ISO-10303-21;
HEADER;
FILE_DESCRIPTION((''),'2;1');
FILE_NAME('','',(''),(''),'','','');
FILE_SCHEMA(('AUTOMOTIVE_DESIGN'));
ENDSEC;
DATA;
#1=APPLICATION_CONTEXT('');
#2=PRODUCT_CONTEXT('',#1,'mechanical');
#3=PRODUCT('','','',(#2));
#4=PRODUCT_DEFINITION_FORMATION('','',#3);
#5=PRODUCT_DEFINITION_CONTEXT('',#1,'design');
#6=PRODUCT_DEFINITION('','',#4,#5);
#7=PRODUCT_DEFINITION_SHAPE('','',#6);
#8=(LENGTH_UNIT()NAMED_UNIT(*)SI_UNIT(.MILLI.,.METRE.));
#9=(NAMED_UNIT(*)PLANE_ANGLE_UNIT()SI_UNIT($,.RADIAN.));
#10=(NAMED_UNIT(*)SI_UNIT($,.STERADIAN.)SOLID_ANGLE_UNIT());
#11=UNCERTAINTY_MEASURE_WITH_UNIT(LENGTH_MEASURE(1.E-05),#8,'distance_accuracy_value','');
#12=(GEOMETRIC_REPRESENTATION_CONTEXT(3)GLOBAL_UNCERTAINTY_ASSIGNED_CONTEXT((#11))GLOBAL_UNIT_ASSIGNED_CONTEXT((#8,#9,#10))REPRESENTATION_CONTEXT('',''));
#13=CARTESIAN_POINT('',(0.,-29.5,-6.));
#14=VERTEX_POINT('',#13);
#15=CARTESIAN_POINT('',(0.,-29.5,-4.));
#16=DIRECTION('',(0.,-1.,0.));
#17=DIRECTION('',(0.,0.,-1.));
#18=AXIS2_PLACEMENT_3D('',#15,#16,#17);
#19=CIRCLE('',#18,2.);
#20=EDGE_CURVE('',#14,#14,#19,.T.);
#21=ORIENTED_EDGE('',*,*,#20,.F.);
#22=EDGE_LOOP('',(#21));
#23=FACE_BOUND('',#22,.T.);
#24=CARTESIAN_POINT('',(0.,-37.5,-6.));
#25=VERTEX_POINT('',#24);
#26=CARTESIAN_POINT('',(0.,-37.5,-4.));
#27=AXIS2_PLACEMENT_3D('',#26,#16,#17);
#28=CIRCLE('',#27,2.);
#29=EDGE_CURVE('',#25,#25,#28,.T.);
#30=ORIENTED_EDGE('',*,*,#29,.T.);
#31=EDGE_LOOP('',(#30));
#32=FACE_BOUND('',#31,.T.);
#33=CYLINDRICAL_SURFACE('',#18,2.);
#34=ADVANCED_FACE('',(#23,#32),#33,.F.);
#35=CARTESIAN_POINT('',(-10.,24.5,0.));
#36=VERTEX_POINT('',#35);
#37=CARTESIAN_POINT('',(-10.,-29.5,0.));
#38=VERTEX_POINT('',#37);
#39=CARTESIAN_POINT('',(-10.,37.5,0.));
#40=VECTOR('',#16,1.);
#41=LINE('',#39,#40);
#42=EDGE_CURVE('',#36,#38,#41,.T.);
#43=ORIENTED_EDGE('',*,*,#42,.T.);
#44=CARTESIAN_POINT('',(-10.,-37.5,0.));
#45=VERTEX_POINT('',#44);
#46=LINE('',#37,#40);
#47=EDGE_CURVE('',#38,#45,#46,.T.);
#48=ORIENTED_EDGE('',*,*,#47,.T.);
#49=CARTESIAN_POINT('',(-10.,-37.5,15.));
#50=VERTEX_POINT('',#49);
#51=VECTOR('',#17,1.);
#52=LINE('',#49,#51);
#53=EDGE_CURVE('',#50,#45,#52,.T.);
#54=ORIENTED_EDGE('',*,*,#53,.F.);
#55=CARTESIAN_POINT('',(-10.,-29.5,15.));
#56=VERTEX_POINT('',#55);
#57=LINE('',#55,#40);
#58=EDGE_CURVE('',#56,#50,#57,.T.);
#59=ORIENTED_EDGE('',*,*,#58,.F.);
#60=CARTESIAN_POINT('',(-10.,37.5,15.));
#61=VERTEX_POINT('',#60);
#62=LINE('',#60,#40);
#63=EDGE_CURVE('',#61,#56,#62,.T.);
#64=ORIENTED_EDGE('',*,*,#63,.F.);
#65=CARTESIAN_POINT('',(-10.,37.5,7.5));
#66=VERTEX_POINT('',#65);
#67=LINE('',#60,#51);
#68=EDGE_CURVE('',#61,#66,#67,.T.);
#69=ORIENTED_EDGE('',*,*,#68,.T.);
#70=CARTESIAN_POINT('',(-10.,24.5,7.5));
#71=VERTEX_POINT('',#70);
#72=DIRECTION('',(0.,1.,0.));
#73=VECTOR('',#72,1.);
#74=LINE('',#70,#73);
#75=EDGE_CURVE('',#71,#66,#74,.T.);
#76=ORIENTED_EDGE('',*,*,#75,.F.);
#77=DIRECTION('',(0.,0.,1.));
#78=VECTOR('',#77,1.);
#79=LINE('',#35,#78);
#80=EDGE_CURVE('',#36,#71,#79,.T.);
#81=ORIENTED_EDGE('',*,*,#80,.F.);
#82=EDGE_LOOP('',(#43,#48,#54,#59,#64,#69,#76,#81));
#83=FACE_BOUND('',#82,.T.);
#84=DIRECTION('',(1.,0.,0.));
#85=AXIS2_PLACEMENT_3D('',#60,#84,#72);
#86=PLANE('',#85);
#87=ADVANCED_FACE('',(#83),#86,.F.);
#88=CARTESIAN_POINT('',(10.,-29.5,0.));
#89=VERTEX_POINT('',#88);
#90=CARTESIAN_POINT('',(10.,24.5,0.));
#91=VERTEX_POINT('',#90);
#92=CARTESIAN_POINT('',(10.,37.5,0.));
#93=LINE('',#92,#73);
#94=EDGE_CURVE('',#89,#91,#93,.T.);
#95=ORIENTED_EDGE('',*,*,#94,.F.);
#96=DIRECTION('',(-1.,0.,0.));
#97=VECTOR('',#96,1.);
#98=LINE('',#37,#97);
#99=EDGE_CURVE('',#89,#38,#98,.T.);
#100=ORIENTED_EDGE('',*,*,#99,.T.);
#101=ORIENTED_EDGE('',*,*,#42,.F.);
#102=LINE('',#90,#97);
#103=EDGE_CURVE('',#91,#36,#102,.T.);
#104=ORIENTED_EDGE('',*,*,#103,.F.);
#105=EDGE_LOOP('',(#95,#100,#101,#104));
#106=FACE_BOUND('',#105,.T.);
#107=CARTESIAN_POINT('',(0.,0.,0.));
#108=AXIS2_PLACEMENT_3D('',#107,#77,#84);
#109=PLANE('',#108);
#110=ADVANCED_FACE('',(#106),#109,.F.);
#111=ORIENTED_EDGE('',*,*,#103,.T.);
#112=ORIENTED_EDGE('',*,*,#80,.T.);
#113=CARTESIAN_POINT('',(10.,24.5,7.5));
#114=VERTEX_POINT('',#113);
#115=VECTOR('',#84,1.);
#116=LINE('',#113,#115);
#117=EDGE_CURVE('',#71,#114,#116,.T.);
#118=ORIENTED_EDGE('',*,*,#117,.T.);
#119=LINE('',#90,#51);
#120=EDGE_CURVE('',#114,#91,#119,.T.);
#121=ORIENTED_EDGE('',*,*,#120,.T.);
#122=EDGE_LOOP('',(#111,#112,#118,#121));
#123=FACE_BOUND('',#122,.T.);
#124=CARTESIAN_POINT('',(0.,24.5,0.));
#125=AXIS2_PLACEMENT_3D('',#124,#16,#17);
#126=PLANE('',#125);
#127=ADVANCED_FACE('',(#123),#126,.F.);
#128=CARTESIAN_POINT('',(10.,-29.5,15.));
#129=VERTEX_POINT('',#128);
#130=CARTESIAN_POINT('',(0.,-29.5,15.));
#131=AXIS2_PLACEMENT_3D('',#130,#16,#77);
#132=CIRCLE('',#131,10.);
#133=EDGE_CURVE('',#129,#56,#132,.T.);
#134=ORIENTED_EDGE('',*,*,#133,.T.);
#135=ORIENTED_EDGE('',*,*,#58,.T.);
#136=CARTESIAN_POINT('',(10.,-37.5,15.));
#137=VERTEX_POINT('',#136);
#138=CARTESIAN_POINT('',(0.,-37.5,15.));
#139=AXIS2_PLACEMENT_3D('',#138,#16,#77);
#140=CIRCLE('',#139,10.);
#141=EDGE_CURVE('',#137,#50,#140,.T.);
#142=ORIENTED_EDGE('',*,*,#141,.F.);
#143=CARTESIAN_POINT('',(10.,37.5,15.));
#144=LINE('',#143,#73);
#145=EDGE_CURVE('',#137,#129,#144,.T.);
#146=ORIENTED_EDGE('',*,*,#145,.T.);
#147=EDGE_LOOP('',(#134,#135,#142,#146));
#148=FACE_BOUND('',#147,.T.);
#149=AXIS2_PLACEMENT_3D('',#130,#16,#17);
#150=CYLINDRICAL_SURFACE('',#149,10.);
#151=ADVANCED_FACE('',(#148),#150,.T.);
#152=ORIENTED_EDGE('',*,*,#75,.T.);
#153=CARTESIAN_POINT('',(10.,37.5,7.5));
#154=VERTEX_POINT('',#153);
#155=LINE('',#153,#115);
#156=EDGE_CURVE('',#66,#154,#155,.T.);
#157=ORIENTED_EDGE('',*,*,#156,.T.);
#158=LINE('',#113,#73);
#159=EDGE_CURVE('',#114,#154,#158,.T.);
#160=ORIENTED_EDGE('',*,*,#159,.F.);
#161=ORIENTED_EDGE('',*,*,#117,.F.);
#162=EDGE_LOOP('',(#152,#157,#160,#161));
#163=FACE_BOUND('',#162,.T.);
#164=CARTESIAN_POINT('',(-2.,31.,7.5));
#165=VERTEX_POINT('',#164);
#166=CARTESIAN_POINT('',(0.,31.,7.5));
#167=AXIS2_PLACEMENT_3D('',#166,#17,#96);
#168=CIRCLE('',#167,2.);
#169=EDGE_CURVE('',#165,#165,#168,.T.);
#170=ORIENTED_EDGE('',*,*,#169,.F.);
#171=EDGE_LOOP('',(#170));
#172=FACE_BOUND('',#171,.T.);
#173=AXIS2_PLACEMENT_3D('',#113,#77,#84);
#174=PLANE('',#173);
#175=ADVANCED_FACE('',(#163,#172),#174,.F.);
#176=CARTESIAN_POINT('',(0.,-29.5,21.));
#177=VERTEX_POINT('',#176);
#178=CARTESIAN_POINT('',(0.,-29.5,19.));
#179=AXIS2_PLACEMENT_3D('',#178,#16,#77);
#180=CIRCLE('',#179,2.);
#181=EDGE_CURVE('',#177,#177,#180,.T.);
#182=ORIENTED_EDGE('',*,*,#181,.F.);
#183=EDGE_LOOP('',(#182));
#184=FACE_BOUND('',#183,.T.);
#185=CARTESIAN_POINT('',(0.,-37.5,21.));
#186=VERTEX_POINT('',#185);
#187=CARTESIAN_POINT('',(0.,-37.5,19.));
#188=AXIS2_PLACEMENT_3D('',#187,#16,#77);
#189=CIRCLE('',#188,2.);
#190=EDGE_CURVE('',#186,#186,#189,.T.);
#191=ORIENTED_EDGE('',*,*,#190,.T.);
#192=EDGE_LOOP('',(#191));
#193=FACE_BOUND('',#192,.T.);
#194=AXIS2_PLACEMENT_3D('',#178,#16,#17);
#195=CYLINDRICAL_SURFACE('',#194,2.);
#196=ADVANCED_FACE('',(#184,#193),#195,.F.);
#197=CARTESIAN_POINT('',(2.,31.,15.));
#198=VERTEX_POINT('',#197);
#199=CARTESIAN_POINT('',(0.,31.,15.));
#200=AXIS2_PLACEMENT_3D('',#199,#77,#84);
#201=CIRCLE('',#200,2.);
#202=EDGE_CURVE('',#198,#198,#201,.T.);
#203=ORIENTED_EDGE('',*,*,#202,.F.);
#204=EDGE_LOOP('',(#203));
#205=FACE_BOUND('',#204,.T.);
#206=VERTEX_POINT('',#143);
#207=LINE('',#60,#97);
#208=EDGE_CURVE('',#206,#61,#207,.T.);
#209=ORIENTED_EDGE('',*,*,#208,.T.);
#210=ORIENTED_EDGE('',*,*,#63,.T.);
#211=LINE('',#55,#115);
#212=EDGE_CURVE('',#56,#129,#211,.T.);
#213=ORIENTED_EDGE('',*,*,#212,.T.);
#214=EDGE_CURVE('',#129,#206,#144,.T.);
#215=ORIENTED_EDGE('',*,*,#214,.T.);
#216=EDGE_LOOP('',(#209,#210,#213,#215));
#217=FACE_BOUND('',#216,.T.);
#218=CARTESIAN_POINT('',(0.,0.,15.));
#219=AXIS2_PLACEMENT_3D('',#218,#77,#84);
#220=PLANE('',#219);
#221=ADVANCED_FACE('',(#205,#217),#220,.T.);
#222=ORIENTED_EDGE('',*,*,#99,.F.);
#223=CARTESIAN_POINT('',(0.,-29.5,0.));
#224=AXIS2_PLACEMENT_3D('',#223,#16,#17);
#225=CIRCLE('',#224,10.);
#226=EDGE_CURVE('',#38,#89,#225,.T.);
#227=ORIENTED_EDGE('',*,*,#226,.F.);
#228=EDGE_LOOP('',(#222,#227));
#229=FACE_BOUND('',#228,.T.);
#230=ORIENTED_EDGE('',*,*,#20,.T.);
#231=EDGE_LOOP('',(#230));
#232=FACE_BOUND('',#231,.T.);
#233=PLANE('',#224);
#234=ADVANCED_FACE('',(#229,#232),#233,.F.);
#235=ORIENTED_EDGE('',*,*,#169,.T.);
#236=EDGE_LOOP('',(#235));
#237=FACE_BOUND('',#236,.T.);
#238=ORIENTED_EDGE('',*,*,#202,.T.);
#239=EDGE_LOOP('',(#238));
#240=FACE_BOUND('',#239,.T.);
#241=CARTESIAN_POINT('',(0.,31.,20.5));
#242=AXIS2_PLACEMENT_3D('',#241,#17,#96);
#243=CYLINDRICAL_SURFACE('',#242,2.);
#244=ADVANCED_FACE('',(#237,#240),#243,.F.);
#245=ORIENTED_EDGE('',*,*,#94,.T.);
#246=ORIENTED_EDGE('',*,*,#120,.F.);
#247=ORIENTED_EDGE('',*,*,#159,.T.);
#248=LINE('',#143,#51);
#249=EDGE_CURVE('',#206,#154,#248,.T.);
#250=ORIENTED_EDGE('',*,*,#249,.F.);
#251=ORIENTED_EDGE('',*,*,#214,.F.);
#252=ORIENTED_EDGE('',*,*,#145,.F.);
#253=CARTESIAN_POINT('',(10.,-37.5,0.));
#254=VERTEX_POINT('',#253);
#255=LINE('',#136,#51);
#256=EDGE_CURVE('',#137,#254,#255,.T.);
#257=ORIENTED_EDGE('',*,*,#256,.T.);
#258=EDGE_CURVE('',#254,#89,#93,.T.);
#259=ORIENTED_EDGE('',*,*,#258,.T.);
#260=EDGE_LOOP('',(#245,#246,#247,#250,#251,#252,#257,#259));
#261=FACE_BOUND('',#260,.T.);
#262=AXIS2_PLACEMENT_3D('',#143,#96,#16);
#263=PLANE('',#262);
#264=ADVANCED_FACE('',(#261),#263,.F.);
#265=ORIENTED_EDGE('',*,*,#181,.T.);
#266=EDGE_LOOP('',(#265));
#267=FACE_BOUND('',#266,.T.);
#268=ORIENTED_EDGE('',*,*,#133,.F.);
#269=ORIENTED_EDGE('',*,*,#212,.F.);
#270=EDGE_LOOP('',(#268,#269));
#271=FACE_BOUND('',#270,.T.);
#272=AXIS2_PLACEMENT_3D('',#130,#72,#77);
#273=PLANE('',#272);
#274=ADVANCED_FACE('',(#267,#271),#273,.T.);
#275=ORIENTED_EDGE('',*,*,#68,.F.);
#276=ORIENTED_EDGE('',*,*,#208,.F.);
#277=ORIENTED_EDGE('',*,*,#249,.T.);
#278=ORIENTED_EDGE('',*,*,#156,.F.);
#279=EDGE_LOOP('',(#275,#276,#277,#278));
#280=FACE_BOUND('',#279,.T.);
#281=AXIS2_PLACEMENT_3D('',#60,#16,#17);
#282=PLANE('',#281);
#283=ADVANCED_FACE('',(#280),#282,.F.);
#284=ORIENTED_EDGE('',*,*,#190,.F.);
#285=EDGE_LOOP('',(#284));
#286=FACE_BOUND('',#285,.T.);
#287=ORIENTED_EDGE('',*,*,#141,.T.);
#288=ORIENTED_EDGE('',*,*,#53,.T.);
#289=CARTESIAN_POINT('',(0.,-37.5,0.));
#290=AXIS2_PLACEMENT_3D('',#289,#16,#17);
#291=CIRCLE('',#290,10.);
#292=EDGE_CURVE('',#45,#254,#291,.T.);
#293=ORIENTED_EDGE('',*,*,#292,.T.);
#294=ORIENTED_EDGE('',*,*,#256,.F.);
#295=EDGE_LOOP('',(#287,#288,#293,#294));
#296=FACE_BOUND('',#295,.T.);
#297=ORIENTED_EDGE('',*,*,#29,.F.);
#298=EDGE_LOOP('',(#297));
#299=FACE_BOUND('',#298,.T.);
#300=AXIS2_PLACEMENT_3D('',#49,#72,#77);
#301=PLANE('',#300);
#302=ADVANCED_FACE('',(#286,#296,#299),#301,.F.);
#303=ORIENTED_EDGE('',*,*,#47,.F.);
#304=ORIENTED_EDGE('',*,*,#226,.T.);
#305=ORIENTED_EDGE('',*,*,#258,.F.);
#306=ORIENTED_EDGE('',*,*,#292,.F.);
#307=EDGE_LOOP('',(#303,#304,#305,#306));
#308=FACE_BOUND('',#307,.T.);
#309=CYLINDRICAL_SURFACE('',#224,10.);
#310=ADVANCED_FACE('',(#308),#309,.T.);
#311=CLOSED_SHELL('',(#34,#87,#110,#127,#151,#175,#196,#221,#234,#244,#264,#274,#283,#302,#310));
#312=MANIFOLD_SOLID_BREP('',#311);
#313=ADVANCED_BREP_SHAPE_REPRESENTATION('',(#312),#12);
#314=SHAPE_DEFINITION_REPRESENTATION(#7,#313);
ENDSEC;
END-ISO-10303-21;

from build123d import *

# Parameters (mm, degrees)
SKETCH1_W           = 20
SKETCH1_H           = 75
BOSS_EXTRUDE1_DEPTH = 15
SKETCH2_R           = 2
BOSS_EXTRUDE2_DEPTH = 8
SKETCH3_W           = 20
SKETCH3_H           = 7.5
CUT_EXTRUDE1_DEPTH  = 13
SKETCH4_R           = 2
CUT_EXTRUDE2_DEPTH  = 13


with BuildPart() as part:
    # Sketch1 → Boss-Extrude1 (new body)
    with BuildSketch(Plane.XY):
        Rectangle(SKETCH1_W, SKETCH1_H)
    extrude(amount=BOSS_EXTRUDE1_DEPTH)

    # Sketch2 → Boss-Extrude2 (add)
    # profile 1 of 2: a face of its own
    with BuildSketch(Plane.XZ.offset(37.5)):
        with BuildLine():
            Line((-10, 0), (10, 0))
            ThreePointArc((10, 0), (0, -10), (-10, 0))
        make_face()
        with Locations(Location((0, -4, 0), (0, 0, 270))):
            Circle(SKETCH2_R, mode=Mode.SUBTRACT)
    # profile 2 of 2: a face of its own
    with BuildSketch(Plane.XZ.offset(37.5)):
        with BuildLine():
            Line((-10, 15), (10, 15))
            ThreePointArc((10, 15), (0, 25), (-10, 15))
        make_face()
        with Locations(Location((0, 19, 0), (0, 0, 90))):
            Circle(SKETCH2_R, mode=Mode.SUBTRACT)
    extrude(amount=-BOSS_EXTRUDE2_DEPTH)

    # Sketch3 → Cut-Extrude1 (cut)
    with BuildSketch(Plane(origin=(0, 37.5, 0), x_dir=(1, 0, 0), z_dir=(0, 1, 0))):
        with Locations((0, -3.75)):
            Rectangle(SKETCH3_W, SKETCH3_H)
    extrude(amount=-CUT_EXTRUDE1_DEPTH, mode=Mode.SUBTRACT)

    # Sketch4 → Cut-Extrude2 (cut)
    with BuildSketch(Plane(origin=(0, 0, 7.5), x_dir=(-1, 0, 0), z_dir=(0, 0, -1))):
        with Locations((0, 31)):
            Circle(SKETCH4_R)
    extrude(amount=-CUT_EXTRUDE2_DEPTH, mode=Mode.SUBTRACT)


solid = part.part
